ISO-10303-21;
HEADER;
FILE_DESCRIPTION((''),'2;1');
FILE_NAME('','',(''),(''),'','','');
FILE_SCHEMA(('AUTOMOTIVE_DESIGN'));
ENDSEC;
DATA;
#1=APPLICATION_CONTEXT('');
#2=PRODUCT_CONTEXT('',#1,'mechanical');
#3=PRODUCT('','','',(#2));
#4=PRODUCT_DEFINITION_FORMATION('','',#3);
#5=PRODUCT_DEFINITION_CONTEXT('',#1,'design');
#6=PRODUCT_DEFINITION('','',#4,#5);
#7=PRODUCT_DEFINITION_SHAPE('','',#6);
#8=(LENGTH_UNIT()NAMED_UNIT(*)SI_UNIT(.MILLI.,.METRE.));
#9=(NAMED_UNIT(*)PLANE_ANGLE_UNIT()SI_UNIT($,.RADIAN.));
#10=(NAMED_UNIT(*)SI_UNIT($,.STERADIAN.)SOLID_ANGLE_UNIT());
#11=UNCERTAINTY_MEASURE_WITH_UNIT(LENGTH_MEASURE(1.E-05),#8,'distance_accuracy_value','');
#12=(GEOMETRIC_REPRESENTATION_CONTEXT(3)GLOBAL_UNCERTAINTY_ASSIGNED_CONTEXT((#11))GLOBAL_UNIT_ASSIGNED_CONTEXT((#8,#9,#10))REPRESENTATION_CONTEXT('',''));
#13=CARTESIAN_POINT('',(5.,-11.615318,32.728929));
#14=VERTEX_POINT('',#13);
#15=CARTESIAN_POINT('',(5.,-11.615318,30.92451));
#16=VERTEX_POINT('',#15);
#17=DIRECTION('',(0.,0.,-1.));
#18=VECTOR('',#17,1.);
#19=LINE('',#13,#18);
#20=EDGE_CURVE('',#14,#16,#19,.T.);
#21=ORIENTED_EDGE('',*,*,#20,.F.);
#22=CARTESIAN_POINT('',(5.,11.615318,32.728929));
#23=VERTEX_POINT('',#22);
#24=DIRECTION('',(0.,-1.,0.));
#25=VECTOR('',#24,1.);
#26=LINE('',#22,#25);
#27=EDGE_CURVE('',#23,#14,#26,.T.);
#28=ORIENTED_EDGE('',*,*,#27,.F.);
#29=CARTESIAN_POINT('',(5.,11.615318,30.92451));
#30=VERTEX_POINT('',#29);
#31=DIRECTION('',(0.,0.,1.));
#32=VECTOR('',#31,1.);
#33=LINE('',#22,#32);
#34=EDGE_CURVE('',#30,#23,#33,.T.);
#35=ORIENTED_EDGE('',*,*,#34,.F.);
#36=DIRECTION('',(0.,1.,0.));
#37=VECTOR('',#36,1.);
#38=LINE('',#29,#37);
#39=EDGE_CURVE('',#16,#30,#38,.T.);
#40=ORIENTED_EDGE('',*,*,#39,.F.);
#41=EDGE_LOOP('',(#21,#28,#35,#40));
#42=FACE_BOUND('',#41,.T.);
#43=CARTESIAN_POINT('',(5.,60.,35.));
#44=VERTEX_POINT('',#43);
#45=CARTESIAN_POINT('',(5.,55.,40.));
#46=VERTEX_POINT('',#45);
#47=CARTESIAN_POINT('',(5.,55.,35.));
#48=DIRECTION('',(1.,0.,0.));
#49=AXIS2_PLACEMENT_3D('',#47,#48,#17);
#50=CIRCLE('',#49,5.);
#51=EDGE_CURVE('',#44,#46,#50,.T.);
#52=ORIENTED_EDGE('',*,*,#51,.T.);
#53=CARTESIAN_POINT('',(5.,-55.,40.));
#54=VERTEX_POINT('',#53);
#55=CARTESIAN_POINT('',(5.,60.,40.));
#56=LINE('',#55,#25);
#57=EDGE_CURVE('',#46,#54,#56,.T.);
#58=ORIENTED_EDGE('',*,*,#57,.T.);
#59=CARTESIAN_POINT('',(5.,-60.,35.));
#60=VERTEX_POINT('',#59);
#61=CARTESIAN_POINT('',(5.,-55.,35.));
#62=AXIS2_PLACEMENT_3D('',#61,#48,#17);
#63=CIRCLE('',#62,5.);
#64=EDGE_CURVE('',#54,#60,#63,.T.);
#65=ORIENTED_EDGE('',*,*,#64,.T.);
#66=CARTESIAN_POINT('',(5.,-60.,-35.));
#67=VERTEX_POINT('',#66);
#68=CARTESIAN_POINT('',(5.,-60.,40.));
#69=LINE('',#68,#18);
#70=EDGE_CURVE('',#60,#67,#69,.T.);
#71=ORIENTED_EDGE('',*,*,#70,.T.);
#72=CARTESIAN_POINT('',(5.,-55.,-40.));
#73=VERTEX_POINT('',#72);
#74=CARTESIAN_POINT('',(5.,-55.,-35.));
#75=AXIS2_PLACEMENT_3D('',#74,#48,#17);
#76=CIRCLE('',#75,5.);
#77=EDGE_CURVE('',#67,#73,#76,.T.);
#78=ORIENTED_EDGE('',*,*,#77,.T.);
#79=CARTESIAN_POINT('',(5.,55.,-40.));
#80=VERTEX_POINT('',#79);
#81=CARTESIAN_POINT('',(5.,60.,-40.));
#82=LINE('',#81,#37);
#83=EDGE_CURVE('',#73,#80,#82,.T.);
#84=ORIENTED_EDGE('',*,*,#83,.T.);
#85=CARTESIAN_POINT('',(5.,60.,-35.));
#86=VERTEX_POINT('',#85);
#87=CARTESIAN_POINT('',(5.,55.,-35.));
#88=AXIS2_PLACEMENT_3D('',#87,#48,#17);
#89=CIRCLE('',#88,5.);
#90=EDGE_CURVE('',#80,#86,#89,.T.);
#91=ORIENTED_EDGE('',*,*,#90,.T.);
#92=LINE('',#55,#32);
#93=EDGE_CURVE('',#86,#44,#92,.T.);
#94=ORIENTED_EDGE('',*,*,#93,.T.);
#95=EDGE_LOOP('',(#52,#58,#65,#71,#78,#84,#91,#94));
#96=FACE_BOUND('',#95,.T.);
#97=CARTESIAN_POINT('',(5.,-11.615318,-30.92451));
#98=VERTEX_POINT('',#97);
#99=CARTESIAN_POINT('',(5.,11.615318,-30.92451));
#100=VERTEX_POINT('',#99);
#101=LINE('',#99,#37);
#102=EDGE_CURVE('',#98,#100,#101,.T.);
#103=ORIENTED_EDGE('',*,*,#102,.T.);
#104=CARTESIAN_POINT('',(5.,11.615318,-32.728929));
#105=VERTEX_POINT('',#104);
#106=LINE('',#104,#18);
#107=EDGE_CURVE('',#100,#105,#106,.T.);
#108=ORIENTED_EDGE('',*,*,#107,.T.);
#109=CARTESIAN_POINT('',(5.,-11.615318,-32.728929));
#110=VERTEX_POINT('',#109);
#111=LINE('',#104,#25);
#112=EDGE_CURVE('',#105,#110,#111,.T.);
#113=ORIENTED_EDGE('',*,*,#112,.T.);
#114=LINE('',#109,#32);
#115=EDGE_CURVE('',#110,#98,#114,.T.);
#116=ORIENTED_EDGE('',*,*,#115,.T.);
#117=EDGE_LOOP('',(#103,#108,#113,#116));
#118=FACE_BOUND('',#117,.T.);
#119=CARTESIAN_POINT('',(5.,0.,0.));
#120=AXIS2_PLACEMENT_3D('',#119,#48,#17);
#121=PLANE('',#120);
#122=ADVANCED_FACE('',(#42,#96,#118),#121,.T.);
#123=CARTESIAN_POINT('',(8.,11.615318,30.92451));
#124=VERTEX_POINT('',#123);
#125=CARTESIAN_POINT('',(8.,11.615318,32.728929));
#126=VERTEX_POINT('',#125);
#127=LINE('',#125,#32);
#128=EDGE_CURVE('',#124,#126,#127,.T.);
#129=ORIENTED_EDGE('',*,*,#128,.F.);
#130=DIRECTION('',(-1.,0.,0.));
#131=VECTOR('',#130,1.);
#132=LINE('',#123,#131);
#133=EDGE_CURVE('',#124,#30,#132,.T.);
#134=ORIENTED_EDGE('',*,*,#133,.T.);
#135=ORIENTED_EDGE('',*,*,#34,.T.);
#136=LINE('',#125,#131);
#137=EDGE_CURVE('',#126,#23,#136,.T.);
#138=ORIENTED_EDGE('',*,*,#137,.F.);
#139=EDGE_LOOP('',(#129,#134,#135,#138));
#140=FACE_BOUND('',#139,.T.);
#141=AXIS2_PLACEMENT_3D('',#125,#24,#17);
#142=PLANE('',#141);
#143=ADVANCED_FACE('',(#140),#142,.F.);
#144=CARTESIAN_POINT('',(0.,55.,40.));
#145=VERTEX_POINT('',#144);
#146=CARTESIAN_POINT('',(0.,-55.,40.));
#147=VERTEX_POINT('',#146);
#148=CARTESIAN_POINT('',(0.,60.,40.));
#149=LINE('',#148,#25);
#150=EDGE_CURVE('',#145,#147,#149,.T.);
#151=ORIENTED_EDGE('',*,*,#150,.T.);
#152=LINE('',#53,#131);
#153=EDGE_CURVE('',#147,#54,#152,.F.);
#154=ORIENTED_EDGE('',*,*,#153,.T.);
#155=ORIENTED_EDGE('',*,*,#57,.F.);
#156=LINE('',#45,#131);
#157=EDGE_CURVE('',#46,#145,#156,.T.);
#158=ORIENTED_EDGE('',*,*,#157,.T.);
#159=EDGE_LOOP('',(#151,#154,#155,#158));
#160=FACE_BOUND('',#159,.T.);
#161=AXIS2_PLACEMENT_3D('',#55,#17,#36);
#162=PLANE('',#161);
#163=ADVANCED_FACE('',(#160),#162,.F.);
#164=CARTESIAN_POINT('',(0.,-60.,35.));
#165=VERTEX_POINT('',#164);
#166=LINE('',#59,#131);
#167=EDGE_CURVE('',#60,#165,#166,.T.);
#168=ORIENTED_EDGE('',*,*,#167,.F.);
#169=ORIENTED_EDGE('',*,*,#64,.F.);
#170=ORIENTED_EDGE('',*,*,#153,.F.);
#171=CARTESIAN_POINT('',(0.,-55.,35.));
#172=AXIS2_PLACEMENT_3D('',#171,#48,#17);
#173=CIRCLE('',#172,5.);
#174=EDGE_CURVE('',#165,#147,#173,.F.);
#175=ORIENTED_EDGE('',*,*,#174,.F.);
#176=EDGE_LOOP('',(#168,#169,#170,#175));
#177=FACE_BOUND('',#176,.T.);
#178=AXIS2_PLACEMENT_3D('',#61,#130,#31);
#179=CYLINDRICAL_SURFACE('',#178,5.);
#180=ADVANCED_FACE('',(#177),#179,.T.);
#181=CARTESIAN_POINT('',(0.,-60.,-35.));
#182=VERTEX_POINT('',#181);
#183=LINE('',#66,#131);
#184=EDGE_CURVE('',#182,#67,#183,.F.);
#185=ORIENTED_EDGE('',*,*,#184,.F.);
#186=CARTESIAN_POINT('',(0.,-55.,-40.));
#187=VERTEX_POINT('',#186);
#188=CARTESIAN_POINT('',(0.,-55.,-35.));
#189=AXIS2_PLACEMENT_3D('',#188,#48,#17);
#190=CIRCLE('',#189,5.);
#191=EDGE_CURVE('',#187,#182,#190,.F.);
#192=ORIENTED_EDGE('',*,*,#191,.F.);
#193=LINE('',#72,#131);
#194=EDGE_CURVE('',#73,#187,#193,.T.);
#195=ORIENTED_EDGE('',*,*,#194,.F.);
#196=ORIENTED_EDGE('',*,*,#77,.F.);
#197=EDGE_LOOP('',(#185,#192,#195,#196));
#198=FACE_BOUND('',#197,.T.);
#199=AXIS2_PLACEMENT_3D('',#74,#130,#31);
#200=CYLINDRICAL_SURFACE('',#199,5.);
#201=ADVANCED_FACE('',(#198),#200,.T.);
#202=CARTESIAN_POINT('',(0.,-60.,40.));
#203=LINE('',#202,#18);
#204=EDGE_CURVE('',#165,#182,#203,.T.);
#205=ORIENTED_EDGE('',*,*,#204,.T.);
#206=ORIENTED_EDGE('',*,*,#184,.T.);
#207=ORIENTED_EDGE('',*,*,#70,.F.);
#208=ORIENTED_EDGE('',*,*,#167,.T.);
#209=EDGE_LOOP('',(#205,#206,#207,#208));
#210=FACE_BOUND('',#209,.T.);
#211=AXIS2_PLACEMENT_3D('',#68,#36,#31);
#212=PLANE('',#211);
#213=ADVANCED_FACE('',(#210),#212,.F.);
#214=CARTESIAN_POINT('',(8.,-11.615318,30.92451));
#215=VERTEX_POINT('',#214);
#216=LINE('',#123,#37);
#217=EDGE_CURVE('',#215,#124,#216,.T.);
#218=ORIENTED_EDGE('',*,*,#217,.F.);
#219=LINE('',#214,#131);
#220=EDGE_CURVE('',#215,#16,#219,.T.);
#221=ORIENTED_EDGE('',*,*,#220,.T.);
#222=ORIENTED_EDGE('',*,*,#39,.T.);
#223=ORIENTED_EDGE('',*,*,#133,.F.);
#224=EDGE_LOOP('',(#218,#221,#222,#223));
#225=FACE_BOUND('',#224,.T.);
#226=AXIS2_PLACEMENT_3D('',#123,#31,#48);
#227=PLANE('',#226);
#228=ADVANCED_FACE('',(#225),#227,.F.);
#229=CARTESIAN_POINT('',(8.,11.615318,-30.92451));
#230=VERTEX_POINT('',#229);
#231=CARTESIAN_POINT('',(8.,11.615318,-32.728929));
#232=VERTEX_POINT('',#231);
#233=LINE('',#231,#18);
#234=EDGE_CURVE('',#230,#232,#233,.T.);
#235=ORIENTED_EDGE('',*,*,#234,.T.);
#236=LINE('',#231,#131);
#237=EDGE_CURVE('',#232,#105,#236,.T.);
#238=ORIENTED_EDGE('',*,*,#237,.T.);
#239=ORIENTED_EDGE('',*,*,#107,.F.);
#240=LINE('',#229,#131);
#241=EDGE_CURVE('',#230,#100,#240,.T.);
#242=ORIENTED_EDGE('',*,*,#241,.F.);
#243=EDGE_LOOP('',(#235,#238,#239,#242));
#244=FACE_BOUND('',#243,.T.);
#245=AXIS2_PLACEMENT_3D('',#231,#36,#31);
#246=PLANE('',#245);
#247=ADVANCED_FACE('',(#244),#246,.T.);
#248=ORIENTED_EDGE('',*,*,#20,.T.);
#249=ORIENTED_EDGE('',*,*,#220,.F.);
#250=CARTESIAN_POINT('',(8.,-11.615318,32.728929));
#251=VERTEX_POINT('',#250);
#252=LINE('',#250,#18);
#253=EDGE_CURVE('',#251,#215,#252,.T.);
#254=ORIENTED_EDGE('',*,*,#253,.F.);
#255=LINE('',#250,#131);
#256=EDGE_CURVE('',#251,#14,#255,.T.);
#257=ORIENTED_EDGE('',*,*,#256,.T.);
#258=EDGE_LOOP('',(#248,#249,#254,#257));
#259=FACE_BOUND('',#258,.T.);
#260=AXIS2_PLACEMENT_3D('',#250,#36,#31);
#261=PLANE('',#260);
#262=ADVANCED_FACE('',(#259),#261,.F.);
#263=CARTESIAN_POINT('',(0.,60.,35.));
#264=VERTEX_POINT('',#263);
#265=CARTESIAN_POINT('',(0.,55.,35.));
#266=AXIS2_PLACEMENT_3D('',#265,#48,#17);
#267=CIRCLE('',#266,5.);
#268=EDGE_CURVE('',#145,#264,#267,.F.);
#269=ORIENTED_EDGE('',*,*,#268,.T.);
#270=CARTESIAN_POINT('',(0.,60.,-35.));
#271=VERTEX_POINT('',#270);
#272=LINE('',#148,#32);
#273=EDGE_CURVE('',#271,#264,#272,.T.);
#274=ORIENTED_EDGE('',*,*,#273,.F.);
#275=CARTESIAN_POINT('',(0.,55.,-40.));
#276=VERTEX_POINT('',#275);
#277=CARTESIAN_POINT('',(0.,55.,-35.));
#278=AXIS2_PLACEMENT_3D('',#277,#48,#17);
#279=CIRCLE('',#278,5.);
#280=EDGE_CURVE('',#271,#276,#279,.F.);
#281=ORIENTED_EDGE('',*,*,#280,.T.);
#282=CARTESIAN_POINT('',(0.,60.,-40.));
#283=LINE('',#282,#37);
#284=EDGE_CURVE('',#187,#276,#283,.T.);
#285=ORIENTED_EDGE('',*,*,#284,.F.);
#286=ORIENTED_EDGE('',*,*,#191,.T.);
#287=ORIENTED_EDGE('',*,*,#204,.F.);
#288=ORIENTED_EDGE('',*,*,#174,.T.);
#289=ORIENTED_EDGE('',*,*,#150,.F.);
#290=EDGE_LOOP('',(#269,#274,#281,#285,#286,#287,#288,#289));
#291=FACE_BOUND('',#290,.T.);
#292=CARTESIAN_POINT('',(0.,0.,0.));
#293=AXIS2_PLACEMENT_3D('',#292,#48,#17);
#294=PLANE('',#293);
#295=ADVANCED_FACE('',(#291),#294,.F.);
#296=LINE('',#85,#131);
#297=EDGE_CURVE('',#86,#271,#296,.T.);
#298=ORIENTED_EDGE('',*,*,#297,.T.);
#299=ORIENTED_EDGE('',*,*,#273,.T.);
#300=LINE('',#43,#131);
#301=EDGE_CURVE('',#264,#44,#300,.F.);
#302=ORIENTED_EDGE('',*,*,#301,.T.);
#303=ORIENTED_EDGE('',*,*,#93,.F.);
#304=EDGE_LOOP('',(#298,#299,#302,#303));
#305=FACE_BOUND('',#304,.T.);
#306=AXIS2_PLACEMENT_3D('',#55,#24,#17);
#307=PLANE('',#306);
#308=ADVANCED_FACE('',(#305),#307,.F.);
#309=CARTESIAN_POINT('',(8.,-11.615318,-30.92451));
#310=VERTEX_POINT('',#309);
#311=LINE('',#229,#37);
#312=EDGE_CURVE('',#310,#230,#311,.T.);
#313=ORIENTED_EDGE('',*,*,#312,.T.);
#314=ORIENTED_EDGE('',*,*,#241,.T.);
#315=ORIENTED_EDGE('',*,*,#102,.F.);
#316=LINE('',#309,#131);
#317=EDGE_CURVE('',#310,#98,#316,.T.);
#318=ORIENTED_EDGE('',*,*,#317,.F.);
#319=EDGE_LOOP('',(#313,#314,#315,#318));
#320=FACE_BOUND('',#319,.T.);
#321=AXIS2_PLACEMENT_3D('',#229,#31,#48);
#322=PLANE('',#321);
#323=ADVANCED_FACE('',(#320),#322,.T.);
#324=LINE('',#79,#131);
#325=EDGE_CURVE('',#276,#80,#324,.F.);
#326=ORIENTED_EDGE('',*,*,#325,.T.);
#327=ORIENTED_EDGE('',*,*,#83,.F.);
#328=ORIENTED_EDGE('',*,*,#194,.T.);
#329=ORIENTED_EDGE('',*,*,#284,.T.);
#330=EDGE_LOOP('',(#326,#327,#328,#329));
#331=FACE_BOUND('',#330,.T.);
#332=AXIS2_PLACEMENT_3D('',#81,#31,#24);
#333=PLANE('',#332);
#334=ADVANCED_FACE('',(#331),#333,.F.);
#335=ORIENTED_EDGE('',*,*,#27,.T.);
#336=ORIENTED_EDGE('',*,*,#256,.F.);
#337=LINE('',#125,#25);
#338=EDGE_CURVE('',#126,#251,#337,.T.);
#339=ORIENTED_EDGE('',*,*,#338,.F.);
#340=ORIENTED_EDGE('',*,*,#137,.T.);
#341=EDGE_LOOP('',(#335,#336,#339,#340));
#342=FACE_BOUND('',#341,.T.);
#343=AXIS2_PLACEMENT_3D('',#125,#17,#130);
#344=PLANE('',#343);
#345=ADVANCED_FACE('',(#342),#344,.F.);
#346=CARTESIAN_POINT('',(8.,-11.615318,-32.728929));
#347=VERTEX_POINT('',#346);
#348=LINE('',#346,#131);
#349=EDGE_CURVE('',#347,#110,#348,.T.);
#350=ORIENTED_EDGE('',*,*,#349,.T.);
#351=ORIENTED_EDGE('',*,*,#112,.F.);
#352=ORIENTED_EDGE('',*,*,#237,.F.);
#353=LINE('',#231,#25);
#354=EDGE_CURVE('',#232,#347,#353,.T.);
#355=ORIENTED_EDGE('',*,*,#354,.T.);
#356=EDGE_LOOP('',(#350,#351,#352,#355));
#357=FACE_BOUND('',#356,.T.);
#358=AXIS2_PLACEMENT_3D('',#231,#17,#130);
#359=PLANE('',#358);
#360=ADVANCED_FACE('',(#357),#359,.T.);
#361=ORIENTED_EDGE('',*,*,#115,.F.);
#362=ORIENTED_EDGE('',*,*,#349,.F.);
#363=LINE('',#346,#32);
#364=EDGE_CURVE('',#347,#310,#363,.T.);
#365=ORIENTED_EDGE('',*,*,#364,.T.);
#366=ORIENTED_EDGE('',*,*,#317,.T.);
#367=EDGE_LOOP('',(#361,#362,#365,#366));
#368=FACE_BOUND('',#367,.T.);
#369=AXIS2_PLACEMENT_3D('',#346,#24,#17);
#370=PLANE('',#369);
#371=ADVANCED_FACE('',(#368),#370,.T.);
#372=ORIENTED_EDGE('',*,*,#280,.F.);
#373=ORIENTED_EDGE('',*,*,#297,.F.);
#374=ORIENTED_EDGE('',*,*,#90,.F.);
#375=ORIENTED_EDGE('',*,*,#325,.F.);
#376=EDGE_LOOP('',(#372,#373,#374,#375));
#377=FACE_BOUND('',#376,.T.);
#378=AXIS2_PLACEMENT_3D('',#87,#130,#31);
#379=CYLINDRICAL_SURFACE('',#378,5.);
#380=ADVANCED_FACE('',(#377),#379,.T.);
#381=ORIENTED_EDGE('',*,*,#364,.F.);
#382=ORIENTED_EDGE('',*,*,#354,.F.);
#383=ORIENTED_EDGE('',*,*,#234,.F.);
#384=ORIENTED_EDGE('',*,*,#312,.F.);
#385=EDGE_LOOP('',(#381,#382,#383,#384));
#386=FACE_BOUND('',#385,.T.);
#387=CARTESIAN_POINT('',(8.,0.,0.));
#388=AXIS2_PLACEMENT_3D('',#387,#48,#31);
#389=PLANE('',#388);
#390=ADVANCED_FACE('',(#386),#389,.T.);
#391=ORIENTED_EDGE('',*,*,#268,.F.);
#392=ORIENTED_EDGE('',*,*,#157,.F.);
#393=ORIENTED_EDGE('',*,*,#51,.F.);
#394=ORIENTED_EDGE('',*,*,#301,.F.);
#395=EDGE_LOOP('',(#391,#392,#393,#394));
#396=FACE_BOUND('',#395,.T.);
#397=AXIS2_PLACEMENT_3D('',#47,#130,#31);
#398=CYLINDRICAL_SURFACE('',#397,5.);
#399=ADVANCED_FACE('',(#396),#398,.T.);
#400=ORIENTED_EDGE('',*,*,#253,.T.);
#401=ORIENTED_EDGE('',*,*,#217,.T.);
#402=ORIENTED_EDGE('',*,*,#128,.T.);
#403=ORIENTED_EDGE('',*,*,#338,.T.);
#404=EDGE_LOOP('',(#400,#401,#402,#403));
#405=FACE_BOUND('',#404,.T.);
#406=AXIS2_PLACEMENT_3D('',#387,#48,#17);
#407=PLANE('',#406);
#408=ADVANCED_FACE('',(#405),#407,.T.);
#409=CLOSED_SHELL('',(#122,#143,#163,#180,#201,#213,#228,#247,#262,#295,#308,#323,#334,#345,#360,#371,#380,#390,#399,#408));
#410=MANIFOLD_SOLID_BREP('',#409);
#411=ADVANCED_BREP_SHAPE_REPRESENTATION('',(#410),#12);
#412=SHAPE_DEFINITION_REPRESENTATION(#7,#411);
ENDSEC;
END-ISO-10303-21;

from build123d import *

# Parameters (mm, degrees)
SKETCH1_W           = 80
SKETCH1_H           = 120
BOSS_EXTRUDE1_DEPTH = 5
FILLET1_R           = 5
SKETCH2_W           = 1.804418344
SKETCH2_H           = 23.230636126
BOSS_EXTRUDE2_DEPTH = 3


with BuildPart() as part:
    # Sketch1 → Boss-Extrude1 (new body)
    with BuildSketch(Plane(origin=(0, 0, 0), x_dir=(0, 0, -1), z_dir=(1, 0, 0))):
        Rectangle(SKETCH1_W, SKETCH1_H)
    extrude(amount=BOSS_EXTRUDE1_DEPTH)

    # Fillet1
    fillet1_edges = [part.edges().sort_by_distance(p)[0] for p in [
        (2.5, -60, -40),
        (2.5, -60, 40),
        (2.5, 60, 40),
        (2.5, 60, -40),
    ]]
    fillet(fillet1_edges, radius=FILLET1_R)

    # Sketch2 → Boss-Extrude2 (add)
    with BuildSketch(Plane(origin=(5, 0, 0), x_dir=(0, 0, -1), z_dir=(1, 0, 0))):
        with Locations((-31.82671961, 0)):
            Rectangle(SKETCH2_W, SKETCH2_H)
    boss_extrude2 = extrude(amount=BOSS_EXTRUDE2_DEPTH)

    # Mirror1: Boss-Extrude2 across plane
    add(boss_extrude2.mirror(Plane.XY))


solid = part.part
